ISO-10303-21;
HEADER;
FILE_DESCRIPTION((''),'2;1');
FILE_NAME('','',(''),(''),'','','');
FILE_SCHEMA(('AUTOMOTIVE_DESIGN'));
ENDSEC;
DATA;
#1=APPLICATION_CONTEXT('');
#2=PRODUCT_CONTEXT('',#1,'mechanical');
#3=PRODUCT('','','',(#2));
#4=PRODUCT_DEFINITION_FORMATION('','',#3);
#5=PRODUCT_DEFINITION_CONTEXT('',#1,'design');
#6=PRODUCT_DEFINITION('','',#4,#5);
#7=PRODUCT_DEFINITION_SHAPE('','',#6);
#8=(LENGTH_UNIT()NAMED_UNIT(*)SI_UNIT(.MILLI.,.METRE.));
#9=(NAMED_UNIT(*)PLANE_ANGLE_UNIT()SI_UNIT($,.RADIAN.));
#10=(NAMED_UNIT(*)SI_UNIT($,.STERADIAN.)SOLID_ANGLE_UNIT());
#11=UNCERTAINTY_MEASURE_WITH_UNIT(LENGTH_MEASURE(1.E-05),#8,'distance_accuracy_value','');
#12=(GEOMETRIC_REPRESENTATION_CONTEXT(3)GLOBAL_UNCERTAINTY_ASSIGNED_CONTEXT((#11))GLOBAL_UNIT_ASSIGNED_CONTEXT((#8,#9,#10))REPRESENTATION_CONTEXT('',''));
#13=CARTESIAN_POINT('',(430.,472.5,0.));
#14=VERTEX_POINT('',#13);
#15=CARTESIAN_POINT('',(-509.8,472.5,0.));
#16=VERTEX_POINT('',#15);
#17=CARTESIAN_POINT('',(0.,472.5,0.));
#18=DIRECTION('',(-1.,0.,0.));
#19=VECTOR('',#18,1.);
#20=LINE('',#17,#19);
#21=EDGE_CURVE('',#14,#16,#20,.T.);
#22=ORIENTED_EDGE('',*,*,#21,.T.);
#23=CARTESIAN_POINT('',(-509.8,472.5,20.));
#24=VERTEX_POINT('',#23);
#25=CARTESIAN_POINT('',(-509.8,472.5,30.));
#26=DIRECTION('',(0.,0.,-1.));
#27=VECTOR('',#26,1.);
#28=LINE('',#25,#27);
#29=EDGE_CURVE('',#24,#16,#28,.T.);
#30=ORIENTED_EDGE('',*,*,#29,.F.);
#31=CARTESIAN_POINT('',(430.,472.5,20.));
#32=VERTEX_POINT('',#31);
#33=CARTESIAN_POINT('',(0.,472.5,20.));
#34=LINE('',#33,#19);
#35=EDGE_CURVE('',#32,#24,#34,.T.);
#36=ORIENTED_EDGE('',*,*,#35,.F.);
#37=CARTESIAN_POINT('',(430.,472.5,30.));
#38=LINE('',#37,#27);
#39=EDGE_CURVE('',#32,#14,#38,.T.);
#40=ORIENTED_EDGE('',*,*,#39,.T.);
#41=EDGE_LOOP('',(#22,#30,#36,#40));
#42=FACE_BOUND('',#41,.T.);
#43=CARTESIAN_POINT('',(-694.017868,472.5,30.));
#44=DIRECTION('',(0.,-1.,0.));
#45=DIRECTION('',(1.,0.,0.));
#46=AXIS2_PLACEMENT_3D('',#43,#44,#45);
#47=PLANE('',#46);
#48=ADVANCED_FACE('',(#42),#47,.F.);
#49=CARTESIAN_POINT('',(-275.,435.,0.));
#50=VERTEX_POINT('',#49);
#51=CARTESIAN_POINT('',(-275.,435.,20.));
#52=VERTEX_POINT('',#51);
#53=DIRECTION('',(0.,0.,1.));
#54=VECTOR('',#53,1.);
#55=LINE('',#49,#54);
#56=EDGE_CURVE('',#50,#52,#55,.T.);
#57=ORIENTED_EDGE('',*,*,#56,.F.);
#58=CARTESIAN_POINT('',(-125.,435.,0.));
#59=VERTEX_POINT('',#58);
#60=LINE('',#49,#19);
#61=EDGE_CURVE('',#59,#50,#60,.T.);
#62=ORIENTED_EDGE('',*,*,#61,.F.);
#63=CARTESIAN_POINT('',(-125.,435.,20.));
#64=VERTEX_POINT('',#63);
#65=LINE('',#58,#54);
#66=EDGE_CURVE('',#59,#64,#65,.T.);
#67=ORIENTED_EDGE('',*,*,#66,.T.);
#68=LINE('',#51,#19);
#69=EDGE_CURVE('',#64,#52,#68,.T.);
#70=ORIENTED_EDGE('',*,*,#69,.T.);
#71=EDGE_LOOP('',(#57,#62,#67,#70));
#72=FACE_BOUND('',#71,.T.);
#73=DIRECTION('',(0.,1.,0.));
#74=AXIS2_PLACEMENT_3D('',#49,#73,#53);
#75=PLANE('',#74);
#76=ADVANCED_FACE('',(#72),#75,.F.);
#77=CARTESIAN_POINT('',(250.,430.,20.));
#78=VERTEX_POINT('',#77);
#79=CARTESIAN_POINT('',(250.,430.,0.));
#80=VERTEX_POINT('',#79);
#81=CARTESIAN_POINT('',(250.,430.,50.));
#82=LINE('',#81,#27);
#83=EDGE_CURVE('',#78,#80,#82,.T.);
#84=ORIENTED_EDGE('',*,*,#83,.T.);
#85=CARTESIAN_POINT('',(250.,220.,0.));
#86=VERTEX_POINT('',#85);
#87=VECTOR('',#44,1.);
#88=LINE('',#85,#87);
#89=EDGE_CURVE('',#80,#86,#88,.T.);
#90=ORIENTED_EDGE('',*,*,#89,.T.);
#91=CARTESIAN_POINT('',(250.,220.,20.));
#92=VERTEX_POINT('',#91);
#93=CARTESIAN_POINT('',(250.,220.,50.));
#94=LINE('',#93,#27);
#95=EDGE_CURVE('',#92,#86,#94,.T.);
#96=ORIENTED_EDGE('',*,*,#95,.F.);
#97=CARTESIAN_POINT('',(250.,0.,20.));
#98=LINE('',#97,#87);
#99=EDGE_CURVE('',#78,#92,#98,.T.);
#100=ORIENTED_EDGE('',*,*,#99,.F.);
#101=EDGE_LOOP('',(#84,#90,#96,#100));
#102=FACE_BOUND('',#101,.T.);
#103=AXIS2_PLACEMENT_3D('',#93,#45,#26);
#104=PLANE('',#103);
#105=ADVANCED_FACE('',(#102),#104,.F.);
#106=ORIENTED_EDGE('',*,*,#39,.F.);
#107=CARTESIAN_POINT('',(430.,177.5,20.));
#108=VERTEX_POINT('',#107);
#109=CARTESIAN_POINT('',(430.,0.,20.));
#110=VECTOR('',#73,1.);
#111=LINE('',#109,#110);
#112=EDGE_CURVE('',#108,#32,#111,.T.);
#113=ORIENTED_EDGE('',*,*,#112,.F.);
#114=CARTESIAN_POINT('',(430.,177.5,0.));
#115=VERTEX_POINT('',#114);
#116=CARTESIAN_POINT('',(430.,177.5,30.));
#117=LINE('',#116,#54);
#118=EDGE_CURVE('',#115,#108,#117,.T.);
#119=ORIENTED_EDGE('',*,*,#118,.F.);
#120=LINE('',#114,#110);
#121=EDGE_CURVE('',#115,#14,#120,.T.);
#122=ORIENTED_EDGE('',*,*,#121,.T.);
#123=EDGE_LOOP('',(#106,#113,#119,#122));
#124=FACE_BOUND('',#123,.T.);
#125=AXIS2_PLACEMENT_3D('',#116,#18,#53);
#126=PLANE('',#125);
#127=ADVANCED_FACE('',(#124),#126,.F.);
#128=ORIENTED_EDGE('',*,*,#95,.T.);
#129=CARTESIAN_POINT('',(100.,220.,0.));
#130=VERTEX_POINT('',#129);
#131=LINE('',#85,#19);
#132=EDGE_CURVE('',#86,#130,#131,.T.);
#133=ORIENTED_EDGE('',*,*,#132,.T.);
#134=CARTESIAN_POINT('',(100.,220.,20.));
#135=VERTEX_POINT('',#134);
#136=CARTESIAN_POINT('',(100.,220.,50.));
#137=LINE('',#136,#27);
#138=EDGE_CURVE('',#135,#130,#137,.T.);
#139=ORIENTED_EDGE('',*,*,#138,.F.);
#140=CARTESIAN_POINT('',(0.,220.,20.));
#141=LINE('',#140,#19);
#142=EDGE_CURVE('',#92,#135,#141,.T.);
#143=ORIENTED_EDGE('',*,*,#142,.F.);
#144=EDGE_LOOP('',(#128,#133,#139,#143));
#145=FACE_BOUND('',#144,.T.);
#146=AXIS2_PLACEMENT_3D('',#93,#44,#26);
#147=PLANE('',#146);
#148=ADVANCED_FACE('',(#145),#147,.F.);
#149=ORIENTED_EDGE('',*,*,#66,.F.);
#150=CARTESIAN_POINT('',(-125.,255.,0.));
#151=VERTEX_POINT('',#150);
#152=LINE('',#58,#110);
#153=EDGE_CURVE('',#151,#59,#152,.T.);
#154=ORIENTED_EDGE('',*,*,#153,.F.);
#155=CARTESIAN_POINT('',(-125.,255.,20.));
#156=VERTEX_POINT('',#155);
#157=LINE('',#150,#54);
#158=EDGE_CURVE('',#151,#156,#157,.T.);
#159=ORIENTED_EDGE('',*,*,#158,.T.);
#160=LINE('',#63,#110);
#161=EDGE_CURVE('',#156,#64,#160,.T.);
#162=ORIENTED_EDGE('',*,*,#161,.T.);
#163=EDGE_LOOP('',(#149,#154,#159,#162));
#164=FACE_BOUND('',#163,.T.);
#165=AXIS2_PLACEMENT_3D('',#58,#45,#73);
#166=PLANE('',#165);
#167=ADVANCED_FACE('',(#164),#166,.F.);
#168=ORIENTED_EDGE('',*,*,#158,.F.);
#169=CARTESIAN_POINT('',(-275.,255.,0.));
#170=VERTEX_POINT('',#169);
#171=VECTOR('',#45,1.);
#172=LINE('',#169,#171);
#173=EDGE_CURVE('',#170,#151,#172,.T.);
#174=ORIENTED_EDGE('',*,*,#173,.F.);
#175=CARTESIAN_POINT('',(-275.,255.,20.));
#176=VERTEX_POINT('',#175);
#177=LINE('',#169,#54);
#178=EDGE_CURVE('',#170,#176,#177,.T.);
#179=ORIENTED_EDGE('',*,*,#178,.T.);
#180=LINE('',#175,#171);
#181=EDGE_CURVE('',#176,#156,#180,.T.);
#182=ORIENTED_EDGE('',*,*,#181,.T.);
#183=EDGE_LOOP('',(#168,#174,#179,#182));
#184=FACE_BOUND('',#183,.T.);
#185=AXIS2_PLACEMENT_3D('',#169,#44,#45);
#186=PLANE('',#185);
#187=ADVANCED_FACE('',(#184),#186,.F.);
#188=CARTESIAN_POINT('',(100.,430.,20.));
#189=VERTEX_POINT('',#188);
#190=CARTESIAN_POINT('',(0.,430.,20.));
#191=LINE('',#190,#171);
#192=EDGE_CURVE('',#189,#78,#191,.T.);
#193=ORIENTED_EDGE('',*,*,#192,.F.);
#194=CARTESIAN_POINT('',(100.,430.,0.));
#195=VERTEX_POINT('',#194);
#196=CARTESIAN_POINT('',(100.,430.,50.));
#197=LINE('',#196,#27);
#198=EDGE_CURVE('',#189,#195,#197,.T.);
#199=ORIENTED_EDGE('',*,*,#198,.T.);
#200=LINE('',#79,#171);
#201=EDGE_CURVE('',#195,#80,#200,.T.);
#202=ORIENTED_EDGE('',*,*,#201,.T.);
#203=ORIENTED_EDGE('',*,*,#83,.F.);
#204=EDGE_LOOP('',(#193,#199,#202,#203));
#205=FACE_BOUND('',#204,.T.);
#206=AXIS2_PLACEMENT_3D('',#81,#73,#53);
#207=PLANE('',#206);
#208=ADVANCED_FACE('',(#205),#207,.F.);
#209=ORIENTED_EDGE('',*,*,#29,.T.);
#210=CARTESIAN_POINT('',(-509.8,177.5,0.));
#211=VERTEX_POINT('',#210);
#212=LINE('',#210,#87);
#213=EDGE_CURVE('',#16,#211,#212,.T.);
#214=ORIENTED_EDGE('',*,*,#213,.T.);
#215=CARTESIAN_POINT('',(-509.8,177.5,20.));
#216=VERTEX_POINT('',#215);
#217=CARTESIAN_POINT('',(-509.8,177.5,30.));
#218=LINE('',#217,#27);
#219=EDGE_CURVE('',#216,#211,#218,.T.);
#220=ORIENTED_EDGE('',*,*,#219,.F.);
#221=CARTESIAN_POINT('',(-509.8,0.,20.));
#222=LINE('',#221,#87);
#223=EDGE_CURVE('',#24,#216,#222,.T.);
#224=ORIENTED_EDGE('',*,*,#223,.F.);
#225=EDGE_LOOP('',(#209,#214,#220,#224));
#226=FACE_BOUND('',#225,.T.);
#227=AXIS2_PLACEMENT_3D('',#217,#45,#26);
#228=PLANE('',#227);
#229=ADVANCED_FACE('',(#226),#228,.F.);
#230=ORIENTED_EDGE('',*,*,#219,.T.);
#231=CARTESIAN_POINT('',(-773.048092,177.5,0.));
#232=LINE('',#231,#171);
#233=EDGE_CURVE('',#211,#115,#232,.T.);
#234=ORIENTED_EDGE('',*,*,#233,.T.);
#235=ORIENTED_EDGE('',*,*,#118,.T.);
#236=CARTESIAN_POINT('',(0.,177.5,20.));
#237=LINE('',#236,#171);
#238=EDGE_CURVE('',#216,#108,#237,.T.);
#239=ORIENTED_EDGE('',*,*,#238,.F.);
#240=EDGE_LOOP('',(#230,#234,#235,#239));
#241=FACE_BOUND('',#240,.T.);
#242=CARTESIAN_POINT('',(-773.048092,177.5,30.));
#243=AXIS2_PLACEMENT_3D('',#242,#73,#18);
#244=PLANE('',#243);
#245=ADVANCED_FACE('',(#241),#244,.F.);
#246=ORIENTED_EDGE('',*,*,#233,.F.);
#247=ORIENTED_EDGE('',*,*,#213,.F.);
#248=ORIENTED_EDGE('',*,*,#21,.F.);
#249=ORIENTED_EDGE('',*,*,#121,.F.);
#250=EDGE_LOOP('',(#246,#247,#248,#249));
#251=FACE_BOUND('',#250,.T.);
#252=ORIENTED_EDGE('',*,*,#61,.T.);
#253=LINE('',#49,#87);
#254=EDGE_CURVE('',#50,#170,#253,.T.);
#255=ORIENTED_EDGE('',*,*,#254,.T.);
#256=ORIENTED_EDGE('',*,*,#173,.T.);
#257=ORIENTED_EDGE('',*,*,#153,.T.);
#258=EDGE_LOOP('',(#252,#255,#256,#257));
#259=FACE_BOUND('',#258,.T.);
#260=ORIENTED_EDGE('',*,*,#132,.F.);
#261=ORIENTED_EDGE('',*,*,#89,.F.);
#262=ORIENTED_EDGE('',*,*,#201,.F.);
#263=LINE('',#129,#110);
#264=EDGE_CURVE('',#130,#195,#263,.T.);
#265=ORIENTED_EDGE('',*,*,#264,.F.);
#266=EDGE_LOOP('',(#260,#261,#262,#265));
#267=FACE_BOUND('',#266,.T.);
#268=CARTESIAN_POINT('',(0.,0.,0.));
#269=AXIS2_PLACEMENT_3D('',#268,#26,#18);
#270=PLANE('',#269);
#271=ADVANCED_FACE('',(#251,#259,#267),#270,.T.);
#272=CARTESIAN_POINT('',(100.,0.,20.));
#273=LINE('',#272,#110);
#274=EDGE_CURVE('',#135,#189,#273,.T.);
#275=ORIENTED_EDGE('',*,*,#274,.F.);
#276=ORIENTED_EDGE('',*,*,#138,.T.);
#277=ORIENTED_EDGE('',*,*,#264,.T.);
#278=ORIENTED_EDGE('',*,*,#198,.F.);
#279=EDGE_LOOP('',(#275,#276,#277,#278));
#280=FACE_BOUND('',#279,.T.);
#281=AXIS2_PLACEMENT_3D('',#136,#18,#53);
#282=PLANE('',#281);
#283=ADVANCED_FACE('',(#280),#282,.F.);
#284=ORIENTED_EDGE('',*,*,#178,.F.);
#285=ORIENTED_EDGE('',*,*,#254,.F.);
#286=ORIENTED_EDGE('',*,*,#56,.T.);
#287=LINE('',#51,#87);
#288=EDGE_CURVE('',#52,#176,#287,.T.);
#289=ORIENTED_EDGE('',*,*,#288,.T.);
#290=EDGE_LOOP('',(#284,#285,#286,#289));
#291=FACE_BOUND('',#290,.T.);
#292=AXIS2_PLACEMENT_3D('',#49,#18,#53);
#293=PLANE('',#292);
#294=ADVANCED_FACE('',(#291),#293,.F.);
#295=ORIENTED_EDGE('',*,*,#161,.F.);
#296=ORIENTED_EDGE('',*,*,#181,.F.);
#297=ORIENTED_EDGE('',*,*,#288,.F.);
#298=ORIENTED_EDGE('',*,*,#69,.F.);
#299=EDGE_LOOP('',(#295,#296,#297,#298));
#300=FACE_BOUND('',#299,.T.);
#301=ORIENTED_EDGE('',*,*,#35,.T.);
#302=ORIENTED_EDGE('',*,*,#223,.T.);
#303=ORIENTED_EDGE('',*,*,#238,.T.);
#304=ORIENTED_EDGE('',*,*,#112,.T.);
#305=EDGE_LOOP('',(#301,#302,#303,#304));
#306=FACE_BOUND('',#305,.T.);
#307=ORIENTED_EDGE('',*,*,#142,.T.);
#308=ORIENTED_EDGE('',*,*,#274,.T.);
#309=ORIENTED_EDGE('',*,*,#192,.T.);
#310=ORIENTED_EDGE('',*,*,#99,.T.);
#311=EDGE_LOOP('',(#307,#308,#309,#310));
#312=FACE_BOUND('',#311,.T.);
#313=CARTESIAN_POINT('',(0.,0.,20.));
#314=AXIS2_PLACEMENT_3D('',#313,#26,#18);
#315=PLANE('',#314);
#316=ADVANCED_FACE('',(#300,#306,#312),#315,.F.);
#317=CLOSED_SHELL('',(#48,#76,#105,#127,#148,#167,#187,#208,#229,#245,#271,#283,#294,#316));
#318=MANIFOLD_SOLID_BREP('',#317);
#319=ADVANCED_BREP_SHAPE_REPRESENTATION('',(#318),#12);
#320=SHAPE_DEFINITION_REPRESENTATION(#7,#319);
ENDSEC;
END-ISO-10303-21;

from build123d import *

# Parameters (mm, degrees)
CROQUIS1_W              = 1200
CROQUIS1_H              = 950
SALIENTE_EXTRUIR1_DEPTH = 20
CROQUIS2_W              = 150
CROQUIS2_H              = 180
CORTAR_EXTRUIR1_DEPTH   = 20
CROQUIS3_W              = 650
CROQUIS3_H              = 500
CORTAR_EXTRUIR2_DEPTH   = 20
CORTAR_EXTRUIR4_DEPTH   = 50
CROQUIS7_W              = 150
CROQUIS7_H              = 210
CORTAR_EXTRUIR5_DEPTH   = 50
CROQUIS8_W              = 1514.751276537
CROQUIS8_H              = 489.569354176
CORTAR_EXTRUIR6_DEPTH   = 30
CROQUIS9_W              = 1728.554056326
CROQUIS9_H              = 479.757846805
CORTAR_EXTRUIR7_DEPTH   = 30
CROQUIS10_W             = 90.2
CROQUIS10_H             = 295
CROQUIS10_W_2           = 170
CORTAR_EXTRUIR8_DEPTH   = 30


with BuildPart() as part:
    # Croquis1 → Saliente-Extruir1 (new body)
    with BuildSketch(Plane.XY):
        Rectangle(CROQUIS1_W, CROQUIS1_H)
    extrude(amount=SALIENTE_EXTRUIR1_DEPTH)

    # Croquis2 → Cortar-Extruir1 (cut)
    with BuildSketch(Plane.XY.offset(20)):
        with Locations((-200, 345)):
            Rectangle(CROQUIS2_W, CROQUIS2_H)
    extrude(amount=-CORTAR_EXTRUIR1_DEPTH, mode=Mode.SUBTRACT)

    # Croquis3 → Cortar-Extruir2 (cut)
    with BuildSketch(Plane(origin=(0, 0, 0), x_dir=(-1, 0, 0), z_dir=(0, 0, -1))):
        with Locations((-50, -165)):
            Rectangle(CROQUIS3_W, CROQUIS3_H)
    extrude(amount=-CORTAR_EXTRUIR2_DEPTH, mode=Mode.SUBTRACT)

    # Croquis6 → Cortar-Extruir4 (cut)
    with BuildSketch(Plane(origin=(0, 0, 0), x_dir=(-1, 0, 0), z_dir=(0, 0, -1))):
        Polygon((600, 175), (-600, 175), (-633.284588691, 175), (-633.284588691, -516.156085413), (737.025481355, -516.156085413), (737.025481355, 175), align=None)
    extrude(amount=-CORTAR_EXTRUIR4_DEPTH, mode=Mode.SUBTRACT)

    # Croquis7 → Cortar-Extruir5 (cut)
    with BuildSketch(Plane(origin=(0, 0, 0), x_dir=(-1, 0, 0), z_dir=(0, 0, -1))):
        with Locations((-175, 325)):
            Rectangle(CROQUIS7_W, CROQUIS7_H)
    extrude(amount=-CORTAR_EXTRUIR5_DEPTH, mode=Mode.SUBTRACT)

    # Croquis8 → Cortar-Extruir6 (cut)
    with BuildSketch(Plane(origin=(0, 0, 0), x_dir=(-1, 0, 0), z_dir=(0, 0, -1))):
        with Locations((-63.357770541, 717.284677088)):
            Rectangle(CROQUIS8_W, CROQUIS8_H)
    extrude(amount=-CORTAR_EXTRUIR6_DEPTH, mode=Mode.SUBTRACT)

    # Croquis9 → Cortar-Extruir7 (cut)
    with BuildSketch(Plane(origin=(0, 0, 0), x_dir=(-1, 0, 0), z_dir=(0, 0, -1))):
        with Locations((-91.228936592, -62.378923403)):
            Rectangle(CROQUIS9_W, CROQUIS9_H)
    extrude(amount=-CORTAR_EXTRUIR7_DEPTH, mode=Mode.SUBTRACT)

    # Croquis10 → Cortar-Extruir8 (cut)
    with BuildSketch(Plane(origin=(0, 0, 0), x_dir=(-1, 0, 0), z_dir=(0, 0, -1))):
        with Locations((554.9, 325)):
            Rectangle(CROQUIS10_W, CROQUIS10_H)
        with Locations((-515, 325)):
            Rectangle(CROQUIS10_W_2, CROQUIS10_H)
    extrude(amount=-CORTAR_EXTRUIR8_DEPTH, mode=Mode.SUBTRACT)


solid = part.part
